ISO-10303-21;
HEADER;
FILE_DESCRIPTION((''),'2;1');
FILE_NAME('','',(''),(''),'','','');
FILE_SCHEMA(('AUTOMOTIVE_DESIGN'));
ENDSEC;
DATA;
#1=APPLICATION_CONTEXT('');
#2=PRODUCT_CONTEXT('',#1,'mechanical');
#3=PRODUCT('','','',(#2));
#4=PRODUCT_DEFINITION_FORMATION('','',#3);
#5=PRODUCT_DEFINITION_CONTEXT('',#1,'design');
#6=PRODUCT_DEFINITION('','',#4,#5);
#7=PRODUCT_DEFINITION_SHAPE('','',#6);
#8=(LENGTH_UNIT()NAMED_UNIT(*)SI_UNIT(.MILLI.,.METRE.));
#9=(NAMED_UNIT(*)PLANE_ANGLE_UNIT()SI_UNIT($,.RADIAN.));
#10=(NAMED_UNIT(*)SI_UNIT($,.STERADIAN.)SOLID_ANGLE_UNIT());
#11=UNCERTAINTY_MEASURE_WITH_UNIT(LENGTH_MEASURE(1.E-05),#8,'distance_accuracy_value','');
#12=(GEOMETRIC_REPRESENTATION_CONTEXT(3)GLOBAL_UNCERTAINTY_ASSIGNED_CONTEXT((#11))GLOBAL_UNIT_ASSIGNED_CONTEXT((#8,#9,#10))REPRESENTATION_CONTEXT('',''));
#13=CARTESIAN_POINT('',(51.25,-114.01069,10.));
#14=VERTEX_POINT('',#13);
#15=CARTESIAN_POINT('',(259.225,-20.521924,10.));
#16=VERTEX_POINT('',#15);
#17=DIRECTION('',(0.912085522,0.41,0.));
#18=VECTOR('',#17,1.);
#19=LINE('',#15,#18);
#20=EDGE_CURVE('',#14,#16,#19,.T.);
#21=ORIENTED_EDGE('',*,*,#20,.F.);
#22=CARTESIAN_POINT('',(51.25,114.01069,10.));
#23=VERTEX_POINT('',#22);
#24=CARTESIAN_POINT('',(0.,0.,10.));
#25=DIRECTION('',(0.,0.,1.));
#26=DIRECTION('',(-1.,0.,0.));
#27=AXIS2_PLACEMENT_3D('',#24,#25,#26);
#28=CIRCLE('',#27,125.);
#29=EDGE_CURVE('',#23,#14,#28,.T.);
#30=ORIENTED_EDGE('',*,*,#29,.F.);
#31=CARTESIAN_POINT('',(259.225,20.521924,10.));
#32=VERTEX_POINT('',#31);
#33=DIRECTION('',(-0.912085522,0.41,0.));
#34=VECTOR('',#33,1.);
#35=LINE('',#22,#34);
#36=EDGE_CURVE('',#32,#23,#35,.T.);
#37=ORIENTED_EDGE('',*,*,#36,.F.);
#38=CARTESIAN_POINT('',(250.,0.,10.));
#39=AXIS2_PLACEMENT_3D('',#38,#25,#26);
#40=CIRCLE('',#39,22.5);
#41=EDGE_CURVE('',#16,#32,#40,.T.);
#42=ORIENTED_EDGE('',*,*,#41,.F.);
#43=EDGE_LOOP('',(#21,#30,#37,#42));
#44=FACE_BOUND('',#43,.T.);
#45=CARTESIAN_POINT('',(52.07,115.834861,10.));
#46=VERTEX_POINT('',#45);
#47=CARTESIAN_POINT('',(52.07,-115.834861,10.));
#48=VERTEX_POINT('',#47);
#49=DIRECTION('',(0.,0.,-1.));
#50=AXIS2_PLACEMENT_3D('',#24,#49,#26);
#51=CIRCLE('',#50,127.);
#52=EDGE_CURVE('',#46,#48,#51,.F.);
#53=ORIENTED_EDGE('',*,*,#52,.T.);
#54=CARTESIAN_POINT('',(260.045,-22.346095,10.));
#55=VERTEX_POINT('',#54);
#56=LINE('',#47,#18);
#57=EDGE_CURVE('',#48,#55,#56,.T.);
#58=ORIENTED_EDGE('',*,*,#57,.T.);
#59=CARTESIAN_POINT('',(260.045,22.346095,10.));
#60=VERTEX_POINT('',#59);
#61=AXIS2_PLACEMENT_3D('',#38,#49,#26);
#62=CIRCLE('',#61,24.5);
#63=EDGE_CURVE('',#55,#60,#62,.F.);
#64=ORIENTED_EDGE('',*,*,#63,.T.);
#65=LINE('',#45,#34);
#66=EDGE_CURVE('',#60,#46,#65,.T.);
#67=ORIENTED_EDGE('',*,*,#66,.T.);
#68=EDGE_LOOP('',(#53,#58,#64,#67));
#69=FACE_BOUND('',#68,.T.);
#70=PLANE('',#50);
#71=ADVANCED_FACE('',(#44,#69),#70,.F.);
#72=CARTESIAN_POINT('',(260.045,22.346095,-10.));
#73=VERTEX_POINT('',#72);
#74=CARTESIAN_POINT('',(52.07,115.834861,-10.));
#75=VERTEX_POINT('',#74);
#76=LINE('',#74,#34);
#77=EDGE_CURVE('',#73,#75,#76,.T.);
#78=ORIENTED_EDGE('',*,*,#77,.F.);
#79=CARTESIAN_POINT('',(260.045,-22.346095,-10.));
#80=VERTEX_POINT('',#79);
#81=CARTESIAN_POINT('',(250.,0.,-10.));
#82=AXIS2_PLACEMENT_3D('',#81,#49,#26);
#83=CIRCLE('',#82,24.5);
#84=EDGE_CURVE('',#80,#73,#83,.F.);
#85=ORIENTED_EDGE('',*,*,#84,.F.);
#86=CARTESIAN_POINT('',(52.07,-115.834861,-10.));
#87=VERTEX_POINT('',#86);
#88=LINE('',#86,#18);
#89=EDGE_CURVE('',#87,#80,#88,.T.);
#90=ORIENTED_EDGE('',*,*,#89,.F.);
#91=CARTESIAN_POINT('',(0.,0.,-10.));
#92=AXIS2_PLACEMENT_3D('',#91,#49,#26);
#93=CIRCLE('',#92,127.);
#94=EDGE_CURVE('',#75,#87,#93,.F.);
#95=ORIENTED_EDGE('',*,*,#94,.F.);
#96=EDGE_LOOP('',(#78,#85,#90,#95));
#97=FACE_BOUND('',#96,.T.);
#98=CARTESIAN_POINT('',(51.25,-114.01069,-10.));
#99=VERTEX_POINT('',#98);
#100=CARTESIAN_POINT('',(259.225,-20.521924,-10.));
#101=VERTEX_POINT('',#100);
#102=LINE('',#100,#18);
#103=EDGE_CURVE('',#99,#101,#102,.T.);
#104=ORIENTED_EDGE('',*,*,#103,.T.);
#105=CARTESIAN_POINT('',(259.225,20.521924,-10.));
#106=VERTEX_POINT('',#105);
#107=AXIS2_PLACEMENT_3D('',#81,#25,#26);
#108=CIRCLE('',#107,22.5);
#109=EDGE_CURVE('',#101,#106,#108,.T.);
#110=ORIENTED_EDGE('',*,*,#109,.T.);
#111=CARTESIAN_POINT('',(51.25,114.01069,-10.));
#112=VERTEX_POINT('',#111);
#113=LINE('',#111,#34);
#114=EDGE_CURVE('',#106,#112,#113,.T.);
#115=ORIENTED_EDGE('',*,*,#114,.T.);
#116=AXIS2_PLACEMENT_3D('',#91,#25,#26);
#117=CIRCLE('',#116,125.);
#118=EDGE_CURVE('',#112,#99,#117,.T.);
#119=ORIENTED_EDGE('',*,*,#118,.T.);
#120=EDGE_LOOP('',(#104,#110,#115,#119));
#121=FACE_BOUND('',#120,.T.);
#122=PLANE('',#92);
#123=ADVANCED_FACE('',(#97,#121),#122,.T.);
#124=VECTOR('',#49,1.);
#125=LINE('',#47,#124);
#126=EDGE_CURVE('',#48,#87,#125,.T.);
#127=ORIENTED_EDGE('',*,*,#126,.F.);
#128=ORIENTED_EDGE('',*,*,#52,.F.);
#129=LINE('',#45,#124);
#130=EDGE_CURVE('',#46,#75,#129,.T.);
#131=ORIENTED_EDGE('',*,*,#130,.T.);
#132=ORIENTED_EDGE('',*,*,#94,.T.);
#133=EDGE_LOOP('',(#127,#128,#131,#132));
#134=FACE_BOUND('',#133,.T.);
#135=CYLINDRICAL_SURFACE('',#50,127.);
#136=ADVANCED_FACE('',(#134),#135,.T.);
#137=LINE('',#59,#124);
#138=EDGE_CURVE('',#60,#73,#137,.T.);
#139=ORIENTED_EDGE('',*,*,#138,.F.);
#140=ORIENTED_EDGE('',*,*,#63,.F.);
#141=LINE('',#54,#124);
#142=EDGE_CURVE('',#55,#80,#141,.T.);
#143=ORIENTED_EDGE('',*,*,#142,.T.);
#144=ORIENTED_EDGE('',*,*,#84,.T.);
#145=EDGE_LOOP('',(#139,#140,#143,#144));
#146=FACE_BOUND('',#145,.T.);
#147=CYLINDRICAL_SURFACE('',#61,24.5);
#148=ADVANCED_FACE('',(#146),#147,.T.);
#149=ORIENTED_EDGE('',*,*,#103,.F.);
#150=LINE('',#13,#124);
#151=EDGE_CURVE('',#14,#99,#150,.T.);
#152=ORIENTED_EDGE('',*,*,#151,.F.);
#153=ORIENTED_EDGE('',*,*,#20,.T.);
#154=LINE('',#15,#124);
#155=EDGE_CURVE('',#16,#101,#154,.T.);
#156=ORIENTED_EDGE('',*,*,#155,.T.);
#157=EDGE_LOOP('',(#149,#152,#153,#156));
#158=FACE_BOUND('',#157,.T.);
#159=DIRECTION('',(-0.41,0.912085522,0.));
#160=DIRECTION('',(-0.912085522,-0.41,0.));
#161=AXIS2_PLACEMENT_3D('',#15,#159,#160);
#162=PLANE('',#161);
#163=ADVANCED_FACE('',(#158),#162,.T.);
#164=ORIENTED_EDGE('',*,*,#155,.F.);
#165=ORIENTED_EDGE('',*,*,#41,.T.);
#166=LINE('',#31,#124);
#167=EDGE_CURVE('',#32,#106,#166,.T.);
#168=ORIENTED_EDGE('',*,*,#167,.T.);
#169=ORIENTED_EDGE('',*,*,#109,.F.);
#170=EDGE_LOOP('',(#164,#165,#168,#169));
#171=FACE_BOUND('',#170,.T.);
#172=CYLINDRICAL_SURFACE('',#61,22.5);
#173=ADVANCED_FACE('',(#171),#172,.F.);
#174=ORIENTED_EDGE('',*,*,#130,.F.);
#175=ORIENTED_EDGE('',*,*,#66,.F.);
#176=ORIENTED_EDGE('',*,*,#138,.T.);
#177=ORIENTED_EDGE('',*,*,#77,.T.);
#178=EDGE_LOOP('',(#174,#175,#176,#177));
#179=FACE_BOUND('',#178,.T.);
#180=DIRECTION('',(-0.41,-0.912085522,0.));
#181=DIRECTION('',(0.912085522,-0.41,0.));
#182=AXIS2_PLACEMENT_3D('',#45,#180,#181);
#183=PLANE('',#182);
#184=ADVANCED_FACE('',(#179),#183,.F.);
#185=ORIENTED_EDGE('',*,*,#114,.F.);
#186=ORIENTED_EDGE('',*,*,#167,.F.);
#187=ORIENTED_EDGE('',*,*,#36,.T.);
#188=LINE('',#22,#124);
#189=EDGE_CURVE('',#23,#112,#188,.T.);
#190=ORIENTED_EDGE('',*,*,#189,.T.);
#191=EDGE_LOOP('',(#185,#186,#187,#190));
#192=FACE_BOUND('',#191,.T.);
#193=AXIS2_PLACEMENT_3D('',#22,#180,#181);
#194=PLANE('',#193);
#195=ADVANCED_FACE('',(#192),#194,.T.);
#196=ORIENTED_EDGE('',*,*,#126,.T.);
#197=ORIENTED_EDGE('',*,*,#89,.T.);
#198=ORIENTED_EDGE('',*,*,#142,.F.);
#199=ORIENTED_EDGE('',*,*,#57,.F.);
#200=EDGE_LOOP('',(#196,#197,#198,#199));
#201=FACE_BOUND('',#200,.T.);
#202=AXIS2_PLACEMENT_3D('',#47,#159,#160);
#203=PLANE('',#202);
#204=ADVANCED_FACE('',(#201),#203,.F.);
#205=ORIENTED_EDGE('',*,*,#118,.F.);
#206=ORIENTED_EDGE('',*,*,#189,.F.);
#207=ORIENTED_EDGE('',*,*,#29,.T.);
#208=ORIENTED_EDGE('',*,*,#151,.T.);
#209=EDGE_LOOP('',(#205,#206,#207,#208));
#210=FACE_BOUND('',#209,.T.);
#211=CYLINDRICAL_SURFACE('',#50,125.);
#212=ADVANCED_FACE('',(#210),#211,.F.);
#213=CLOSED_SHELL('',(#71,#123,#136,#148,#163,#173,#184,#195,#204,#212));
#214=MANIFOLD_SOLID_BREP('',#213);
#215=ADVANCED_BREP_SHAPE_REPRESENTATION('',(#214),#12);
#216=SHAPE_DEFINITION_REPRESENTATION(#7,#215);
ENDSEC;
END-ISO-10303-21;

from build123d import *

# Parameters (mm, degrees)
EXTRUDE_THIN1_DEPTH = 10


with BuildPart() as part:
    # Sketch2 → Extrude-Thin1 (new, symmetric)
    with BuildSketch(Plane.XY):
        with BuildLine():
            Line((260.045, -22.346095296), (52.07, -115.834861333))
            ThreePointArc((52.07, -115.834861333), (-127, 0), (52.07, 115.834861333))
            Line((52.07, 115.834861333), (260.045, 22.346095296))
            ThreePointArc((260.045, 22.346095296), (274.5, 0), (260.045, -22.346095296))
        make_face()
        with BuildLine():
            Line((259.225, -20.521924252), (51.25, -114.010690288))
            ThreePointArc((51.25, -114.010690288), (-125, 0), (51.25, 114.010690288))
            Line((51.25, 114.010690288), (259.225, 20.521924252))
            ThreePointArc((259.225, 20.521924252), (272.5, 0), (259.225, -20.521924252))
        make_face(mode=Mode.SUBTRACT)
    extrude(amount=EXTRUDE_THIN1_DEPTH, both=True)


solid = part.part
